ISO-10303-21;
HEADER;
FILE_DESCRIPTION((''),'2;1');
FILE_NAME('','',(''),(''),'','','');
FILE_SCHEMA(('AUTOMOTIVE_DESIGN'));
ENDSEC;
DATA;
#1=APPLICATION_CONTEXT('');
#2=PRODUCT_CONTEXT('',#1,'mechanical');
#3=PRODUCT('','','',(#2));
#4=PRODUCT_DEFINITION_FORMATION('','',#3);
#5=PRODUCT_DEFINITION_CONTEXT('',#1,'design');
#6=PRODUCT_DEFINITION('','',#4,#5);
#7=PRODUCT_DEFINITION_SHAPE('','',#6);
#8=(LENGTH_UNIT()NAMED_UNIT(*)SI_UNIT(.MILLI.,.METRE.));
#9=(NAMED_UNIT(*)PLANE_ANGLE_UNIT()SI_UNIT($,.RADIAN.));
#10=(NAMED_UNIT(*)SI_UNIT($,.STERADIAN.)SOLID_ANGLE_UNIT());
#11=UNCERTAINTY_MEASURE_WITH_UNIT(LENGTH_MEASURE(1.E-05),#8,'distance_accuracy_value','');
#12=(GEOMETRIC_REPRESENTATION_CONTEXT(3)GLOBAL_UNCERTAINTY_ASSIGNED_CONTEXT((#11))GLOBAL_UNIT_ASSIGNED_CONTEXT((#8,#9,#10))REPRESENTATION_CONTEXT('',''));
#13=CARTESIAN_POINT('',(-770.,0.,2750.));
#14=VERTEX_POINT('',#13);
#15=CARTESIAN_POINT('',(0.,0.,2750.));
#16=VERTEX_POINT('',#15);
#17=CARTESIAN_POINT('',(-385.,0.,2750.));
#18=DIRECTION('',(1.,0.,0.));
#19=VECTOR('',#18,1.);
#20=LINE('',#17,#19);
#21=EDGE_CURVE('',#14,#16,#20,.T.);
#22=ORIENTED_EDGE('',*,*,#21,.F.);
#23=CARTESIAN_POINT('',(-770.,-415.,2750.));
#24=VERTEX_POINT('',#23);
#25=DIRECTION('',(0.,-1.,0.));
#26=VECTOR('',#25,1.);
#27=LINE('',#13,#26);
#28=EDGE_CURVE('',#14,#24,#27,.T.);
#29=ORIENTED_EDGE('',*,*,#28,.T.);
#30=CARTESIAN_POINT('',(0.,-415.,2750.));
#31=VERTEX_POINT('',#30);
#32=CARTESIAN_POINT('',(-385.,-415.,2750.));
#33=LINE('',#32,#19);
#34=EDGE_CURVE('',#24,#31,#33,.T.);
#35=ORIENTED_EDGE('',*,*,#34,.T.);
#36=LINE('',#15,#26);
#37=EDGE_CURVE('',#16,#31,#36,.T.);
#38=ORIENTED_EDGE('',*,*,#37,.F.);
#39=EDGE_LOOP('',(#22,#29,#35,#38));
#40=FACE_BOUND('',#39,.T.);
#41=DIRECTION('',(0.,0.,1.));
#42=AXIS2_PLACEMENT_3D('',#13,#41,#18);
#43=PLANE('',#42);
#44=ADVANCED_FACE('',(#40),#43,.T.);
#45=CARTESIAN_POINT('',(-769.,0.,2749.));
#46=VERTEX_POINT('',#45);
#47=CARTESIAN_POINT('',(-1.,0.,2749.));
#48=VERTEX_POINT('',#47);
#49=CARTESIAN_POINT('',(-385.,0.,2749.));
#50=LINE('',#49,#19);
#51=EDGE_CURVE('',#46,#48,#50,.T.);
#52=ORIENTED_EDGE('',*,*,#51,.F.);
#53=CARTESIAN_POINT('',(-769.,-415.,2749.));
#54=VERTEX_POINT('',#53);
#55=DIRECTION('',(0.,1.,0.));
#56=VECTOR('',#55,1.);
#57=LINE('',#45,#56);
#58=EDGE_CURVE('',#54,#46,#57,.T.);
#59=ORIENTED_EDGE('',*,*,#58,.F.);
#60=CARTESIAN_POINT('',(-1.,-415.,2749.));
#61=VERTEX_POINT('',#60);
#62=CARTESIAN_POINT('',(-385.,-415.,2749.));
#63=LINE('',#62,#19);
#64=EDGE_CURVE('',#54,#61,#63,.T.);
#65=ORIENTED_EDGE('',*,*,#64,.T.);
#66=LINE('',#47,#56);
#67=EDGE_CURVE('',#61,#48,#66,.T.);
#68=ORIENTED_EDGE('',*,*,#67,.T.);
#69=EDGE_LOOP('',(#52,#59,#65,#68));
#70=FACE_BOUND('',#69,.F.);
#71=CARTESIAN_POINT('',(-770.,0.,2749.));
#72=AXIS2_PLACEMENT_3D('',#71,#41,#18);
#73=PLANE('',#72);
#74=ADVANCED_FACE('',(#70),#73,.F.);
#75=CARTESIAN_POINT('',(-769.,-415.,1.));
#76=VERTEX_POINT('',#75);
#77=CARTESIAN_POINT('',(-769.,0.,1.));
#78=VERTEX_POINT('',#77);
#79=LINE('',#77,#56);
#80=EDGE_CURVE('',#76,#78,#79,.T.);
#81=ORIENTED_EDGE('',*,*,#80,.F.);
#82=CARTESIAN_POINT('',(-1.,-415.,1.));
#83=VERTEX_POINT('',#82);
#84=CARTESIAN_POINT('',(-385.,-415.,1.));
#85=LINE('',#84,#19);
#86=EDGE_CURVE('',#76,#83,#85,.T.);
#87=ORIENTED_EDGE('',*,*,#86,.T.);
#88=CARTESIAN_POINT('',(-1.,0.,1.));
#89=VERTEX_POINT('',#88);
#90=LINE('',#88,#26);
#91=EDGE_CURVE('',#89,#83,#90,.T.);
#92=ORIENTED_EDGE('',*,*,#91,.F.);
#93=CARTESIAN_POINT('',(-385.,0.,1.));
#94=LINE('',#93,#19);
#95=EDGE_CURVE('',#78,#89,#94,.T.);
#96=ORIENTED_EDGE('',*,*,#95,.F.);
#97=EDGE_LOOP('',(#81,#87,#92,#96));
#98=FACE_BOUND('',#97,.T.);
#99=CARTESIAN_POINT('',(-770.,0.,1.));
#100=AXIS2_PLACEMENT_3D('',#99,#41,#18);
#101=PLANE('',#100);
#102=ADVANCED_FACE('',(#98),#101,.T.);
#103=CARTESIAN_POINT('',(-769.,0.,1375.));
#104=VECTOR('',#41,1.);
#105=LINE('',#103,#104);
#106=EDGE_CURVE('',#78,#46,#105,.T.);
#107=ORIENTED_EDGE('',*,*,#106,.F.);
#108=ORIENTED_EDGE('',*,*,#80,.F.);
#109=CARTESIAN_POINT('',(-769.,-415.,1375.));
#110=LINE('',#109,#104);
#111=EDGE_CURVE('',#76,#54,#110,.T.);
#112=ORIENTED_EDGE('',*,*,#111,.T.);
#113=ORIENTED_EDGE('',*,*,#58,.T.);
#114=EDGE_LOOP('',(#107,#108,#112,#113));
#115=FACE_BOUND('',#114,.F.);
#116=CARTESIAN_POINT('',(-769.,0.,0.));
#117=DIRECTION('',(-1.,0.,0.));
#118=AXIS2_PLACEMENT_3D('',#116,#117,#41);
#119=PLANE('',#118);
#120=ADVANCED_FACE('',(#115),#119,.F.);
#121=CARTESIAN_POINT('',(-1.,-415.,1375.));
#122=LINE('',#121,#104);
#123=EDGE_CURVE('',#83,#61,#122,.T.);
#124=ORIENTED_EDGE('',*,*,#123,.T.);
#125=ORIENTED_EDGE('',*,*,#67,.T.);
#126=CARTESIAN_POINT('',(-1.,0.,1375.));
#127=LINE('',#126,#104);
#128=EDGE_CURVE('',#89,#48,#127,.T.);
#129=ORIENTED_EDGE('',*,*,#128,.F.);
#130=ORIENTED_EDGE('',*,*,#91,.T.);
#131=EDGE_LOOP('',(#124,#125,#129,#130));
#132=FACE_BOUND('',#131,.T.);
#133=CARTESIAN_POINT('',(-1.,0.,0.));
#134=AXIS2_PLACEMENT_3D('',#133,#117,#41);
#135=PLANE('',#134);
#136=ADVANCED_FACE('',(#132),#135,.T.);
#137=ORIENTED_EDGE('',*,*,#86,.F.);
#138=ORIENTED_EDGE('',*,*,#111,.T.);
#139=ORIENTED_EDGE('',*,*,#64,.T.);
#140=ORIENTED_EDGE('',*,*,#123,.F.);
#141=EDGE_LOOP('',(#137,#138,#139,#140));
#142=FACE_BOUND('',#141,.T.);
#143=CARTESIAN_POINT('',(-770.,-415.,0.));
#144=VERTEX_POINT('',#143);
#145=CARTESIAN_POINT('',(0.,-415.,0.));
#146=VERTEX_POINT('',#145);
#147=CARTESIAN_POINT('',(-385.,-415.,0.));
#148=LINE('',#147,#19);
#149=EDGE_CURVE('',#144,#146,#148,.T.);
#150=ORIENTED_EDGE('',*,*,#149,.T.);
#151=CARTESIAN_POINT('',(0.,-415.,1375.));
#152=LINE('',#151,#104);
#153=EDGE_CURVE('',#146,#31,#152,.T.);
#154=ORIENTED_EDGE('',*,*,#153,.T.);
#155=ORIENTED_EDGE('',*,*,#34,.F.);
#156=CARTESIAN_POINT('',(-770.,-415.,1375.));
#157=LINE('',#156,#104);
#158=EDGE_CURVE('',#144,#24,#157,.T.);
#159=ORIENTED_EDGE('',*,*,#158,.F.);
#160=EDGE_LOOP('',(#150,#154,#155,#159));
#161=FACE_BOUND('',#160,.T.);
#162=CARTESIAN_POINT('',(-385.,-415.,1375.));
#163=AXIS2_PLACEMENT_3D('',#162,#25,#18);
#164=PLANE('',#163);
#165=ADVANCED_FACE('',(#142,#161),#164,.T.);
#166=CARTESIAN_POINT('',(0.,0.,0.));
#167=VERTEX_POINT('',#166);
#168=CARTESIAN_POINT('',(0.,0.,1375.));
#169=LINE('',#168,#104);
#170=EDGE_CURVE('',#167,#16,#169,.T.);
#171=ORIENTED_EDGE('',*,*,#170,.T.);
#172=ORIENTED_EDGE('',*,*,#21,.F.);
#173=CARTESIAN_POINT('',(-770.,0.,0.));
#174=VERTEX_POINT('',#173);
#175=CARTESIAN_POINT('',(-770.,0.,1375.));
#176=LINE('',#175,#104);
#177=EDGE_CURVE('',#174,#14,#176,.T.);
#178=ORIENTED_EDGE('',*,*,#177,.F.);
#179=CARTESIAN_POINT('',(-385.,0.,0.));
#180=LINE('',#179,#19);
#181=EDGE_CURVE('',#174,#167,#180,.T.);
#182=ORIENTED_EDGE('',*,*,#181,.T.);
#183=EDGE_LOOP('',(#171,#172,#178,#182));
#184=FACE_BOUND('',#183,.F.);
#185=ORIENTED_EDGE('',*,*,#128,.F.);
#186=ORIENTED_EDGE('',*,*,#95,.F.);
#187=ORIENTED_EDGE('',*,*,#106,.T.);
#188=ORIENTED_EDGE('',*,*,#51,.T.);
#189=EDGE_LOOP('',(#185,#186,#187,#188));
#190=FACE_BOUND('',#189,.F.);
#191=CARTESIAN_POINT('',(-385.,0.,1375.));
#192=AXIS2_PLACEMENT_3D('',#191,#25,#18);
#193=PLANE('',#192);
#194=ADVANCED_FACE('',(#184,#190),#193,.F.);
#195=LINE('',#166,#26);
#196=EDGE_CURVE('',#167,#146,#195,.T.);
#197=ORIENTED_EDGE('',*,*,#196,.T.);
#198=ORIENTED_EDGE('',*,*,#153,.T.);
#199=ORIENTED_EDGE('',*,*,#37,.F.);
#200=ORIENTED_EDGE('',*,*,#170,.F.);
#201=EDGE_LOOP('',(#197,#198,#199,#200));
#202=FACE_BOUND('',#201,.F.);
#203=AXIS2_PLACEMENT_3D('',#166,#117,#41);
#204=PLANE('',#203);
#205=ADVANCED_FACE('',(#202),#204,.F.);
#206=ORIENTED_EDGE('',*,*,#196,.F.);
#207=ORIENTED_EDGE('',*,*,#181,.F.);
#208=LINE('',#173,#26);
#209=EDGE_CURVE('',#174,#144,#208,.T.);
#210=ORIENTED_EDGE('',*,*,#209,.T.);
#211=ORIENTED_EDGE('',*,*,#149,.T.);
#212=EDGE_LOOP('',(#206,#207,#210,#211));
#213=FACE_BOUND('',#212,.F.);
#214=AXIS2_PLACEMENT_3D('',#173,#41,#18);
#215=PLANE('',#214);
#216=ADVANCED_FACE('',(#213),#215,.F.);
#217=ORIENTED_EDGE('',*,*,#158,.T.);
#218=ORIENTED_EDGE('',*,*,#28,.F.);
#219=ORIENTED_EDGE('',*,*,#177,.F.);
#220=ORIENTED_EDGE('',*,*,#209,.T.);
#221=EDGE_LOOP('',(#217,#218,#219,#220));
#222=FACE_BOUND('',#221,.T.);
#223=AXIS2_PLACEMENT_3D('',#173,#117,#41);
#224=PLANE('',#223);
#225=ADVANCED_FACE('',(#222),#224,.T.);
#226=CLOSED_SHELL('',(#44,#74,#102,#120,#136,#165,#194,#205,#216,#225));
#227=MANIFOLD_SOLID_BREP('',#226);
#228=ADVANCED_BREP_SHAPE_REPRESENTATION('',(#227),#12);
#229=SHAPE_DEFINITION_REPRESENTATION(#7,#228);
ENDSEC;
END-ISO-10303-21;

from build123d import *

# Parameters (mm, degrees)
F0_W     = 770
F0_H     = 2750
F1_DEPTH = 415
F2_T     = -1


with BuildPart() as f1:
    # F0 (on Front) → F1 (new body)
    with BuildSketch(Plane.XZ):
        with Locations((-385, 1375)):
            Rectangle(F0_W, F0_H)
    extrude(amount=F1_DEPTH)

    # F2
    f2_openings = [f1.faces().sort_by_distance(p)[0] for p in [
        (-385, -415, 1375),
        (-385, 0, 1375),
    ]]
    offset(amount=F2_T, openings=f2_openings)


solid = f1.part
